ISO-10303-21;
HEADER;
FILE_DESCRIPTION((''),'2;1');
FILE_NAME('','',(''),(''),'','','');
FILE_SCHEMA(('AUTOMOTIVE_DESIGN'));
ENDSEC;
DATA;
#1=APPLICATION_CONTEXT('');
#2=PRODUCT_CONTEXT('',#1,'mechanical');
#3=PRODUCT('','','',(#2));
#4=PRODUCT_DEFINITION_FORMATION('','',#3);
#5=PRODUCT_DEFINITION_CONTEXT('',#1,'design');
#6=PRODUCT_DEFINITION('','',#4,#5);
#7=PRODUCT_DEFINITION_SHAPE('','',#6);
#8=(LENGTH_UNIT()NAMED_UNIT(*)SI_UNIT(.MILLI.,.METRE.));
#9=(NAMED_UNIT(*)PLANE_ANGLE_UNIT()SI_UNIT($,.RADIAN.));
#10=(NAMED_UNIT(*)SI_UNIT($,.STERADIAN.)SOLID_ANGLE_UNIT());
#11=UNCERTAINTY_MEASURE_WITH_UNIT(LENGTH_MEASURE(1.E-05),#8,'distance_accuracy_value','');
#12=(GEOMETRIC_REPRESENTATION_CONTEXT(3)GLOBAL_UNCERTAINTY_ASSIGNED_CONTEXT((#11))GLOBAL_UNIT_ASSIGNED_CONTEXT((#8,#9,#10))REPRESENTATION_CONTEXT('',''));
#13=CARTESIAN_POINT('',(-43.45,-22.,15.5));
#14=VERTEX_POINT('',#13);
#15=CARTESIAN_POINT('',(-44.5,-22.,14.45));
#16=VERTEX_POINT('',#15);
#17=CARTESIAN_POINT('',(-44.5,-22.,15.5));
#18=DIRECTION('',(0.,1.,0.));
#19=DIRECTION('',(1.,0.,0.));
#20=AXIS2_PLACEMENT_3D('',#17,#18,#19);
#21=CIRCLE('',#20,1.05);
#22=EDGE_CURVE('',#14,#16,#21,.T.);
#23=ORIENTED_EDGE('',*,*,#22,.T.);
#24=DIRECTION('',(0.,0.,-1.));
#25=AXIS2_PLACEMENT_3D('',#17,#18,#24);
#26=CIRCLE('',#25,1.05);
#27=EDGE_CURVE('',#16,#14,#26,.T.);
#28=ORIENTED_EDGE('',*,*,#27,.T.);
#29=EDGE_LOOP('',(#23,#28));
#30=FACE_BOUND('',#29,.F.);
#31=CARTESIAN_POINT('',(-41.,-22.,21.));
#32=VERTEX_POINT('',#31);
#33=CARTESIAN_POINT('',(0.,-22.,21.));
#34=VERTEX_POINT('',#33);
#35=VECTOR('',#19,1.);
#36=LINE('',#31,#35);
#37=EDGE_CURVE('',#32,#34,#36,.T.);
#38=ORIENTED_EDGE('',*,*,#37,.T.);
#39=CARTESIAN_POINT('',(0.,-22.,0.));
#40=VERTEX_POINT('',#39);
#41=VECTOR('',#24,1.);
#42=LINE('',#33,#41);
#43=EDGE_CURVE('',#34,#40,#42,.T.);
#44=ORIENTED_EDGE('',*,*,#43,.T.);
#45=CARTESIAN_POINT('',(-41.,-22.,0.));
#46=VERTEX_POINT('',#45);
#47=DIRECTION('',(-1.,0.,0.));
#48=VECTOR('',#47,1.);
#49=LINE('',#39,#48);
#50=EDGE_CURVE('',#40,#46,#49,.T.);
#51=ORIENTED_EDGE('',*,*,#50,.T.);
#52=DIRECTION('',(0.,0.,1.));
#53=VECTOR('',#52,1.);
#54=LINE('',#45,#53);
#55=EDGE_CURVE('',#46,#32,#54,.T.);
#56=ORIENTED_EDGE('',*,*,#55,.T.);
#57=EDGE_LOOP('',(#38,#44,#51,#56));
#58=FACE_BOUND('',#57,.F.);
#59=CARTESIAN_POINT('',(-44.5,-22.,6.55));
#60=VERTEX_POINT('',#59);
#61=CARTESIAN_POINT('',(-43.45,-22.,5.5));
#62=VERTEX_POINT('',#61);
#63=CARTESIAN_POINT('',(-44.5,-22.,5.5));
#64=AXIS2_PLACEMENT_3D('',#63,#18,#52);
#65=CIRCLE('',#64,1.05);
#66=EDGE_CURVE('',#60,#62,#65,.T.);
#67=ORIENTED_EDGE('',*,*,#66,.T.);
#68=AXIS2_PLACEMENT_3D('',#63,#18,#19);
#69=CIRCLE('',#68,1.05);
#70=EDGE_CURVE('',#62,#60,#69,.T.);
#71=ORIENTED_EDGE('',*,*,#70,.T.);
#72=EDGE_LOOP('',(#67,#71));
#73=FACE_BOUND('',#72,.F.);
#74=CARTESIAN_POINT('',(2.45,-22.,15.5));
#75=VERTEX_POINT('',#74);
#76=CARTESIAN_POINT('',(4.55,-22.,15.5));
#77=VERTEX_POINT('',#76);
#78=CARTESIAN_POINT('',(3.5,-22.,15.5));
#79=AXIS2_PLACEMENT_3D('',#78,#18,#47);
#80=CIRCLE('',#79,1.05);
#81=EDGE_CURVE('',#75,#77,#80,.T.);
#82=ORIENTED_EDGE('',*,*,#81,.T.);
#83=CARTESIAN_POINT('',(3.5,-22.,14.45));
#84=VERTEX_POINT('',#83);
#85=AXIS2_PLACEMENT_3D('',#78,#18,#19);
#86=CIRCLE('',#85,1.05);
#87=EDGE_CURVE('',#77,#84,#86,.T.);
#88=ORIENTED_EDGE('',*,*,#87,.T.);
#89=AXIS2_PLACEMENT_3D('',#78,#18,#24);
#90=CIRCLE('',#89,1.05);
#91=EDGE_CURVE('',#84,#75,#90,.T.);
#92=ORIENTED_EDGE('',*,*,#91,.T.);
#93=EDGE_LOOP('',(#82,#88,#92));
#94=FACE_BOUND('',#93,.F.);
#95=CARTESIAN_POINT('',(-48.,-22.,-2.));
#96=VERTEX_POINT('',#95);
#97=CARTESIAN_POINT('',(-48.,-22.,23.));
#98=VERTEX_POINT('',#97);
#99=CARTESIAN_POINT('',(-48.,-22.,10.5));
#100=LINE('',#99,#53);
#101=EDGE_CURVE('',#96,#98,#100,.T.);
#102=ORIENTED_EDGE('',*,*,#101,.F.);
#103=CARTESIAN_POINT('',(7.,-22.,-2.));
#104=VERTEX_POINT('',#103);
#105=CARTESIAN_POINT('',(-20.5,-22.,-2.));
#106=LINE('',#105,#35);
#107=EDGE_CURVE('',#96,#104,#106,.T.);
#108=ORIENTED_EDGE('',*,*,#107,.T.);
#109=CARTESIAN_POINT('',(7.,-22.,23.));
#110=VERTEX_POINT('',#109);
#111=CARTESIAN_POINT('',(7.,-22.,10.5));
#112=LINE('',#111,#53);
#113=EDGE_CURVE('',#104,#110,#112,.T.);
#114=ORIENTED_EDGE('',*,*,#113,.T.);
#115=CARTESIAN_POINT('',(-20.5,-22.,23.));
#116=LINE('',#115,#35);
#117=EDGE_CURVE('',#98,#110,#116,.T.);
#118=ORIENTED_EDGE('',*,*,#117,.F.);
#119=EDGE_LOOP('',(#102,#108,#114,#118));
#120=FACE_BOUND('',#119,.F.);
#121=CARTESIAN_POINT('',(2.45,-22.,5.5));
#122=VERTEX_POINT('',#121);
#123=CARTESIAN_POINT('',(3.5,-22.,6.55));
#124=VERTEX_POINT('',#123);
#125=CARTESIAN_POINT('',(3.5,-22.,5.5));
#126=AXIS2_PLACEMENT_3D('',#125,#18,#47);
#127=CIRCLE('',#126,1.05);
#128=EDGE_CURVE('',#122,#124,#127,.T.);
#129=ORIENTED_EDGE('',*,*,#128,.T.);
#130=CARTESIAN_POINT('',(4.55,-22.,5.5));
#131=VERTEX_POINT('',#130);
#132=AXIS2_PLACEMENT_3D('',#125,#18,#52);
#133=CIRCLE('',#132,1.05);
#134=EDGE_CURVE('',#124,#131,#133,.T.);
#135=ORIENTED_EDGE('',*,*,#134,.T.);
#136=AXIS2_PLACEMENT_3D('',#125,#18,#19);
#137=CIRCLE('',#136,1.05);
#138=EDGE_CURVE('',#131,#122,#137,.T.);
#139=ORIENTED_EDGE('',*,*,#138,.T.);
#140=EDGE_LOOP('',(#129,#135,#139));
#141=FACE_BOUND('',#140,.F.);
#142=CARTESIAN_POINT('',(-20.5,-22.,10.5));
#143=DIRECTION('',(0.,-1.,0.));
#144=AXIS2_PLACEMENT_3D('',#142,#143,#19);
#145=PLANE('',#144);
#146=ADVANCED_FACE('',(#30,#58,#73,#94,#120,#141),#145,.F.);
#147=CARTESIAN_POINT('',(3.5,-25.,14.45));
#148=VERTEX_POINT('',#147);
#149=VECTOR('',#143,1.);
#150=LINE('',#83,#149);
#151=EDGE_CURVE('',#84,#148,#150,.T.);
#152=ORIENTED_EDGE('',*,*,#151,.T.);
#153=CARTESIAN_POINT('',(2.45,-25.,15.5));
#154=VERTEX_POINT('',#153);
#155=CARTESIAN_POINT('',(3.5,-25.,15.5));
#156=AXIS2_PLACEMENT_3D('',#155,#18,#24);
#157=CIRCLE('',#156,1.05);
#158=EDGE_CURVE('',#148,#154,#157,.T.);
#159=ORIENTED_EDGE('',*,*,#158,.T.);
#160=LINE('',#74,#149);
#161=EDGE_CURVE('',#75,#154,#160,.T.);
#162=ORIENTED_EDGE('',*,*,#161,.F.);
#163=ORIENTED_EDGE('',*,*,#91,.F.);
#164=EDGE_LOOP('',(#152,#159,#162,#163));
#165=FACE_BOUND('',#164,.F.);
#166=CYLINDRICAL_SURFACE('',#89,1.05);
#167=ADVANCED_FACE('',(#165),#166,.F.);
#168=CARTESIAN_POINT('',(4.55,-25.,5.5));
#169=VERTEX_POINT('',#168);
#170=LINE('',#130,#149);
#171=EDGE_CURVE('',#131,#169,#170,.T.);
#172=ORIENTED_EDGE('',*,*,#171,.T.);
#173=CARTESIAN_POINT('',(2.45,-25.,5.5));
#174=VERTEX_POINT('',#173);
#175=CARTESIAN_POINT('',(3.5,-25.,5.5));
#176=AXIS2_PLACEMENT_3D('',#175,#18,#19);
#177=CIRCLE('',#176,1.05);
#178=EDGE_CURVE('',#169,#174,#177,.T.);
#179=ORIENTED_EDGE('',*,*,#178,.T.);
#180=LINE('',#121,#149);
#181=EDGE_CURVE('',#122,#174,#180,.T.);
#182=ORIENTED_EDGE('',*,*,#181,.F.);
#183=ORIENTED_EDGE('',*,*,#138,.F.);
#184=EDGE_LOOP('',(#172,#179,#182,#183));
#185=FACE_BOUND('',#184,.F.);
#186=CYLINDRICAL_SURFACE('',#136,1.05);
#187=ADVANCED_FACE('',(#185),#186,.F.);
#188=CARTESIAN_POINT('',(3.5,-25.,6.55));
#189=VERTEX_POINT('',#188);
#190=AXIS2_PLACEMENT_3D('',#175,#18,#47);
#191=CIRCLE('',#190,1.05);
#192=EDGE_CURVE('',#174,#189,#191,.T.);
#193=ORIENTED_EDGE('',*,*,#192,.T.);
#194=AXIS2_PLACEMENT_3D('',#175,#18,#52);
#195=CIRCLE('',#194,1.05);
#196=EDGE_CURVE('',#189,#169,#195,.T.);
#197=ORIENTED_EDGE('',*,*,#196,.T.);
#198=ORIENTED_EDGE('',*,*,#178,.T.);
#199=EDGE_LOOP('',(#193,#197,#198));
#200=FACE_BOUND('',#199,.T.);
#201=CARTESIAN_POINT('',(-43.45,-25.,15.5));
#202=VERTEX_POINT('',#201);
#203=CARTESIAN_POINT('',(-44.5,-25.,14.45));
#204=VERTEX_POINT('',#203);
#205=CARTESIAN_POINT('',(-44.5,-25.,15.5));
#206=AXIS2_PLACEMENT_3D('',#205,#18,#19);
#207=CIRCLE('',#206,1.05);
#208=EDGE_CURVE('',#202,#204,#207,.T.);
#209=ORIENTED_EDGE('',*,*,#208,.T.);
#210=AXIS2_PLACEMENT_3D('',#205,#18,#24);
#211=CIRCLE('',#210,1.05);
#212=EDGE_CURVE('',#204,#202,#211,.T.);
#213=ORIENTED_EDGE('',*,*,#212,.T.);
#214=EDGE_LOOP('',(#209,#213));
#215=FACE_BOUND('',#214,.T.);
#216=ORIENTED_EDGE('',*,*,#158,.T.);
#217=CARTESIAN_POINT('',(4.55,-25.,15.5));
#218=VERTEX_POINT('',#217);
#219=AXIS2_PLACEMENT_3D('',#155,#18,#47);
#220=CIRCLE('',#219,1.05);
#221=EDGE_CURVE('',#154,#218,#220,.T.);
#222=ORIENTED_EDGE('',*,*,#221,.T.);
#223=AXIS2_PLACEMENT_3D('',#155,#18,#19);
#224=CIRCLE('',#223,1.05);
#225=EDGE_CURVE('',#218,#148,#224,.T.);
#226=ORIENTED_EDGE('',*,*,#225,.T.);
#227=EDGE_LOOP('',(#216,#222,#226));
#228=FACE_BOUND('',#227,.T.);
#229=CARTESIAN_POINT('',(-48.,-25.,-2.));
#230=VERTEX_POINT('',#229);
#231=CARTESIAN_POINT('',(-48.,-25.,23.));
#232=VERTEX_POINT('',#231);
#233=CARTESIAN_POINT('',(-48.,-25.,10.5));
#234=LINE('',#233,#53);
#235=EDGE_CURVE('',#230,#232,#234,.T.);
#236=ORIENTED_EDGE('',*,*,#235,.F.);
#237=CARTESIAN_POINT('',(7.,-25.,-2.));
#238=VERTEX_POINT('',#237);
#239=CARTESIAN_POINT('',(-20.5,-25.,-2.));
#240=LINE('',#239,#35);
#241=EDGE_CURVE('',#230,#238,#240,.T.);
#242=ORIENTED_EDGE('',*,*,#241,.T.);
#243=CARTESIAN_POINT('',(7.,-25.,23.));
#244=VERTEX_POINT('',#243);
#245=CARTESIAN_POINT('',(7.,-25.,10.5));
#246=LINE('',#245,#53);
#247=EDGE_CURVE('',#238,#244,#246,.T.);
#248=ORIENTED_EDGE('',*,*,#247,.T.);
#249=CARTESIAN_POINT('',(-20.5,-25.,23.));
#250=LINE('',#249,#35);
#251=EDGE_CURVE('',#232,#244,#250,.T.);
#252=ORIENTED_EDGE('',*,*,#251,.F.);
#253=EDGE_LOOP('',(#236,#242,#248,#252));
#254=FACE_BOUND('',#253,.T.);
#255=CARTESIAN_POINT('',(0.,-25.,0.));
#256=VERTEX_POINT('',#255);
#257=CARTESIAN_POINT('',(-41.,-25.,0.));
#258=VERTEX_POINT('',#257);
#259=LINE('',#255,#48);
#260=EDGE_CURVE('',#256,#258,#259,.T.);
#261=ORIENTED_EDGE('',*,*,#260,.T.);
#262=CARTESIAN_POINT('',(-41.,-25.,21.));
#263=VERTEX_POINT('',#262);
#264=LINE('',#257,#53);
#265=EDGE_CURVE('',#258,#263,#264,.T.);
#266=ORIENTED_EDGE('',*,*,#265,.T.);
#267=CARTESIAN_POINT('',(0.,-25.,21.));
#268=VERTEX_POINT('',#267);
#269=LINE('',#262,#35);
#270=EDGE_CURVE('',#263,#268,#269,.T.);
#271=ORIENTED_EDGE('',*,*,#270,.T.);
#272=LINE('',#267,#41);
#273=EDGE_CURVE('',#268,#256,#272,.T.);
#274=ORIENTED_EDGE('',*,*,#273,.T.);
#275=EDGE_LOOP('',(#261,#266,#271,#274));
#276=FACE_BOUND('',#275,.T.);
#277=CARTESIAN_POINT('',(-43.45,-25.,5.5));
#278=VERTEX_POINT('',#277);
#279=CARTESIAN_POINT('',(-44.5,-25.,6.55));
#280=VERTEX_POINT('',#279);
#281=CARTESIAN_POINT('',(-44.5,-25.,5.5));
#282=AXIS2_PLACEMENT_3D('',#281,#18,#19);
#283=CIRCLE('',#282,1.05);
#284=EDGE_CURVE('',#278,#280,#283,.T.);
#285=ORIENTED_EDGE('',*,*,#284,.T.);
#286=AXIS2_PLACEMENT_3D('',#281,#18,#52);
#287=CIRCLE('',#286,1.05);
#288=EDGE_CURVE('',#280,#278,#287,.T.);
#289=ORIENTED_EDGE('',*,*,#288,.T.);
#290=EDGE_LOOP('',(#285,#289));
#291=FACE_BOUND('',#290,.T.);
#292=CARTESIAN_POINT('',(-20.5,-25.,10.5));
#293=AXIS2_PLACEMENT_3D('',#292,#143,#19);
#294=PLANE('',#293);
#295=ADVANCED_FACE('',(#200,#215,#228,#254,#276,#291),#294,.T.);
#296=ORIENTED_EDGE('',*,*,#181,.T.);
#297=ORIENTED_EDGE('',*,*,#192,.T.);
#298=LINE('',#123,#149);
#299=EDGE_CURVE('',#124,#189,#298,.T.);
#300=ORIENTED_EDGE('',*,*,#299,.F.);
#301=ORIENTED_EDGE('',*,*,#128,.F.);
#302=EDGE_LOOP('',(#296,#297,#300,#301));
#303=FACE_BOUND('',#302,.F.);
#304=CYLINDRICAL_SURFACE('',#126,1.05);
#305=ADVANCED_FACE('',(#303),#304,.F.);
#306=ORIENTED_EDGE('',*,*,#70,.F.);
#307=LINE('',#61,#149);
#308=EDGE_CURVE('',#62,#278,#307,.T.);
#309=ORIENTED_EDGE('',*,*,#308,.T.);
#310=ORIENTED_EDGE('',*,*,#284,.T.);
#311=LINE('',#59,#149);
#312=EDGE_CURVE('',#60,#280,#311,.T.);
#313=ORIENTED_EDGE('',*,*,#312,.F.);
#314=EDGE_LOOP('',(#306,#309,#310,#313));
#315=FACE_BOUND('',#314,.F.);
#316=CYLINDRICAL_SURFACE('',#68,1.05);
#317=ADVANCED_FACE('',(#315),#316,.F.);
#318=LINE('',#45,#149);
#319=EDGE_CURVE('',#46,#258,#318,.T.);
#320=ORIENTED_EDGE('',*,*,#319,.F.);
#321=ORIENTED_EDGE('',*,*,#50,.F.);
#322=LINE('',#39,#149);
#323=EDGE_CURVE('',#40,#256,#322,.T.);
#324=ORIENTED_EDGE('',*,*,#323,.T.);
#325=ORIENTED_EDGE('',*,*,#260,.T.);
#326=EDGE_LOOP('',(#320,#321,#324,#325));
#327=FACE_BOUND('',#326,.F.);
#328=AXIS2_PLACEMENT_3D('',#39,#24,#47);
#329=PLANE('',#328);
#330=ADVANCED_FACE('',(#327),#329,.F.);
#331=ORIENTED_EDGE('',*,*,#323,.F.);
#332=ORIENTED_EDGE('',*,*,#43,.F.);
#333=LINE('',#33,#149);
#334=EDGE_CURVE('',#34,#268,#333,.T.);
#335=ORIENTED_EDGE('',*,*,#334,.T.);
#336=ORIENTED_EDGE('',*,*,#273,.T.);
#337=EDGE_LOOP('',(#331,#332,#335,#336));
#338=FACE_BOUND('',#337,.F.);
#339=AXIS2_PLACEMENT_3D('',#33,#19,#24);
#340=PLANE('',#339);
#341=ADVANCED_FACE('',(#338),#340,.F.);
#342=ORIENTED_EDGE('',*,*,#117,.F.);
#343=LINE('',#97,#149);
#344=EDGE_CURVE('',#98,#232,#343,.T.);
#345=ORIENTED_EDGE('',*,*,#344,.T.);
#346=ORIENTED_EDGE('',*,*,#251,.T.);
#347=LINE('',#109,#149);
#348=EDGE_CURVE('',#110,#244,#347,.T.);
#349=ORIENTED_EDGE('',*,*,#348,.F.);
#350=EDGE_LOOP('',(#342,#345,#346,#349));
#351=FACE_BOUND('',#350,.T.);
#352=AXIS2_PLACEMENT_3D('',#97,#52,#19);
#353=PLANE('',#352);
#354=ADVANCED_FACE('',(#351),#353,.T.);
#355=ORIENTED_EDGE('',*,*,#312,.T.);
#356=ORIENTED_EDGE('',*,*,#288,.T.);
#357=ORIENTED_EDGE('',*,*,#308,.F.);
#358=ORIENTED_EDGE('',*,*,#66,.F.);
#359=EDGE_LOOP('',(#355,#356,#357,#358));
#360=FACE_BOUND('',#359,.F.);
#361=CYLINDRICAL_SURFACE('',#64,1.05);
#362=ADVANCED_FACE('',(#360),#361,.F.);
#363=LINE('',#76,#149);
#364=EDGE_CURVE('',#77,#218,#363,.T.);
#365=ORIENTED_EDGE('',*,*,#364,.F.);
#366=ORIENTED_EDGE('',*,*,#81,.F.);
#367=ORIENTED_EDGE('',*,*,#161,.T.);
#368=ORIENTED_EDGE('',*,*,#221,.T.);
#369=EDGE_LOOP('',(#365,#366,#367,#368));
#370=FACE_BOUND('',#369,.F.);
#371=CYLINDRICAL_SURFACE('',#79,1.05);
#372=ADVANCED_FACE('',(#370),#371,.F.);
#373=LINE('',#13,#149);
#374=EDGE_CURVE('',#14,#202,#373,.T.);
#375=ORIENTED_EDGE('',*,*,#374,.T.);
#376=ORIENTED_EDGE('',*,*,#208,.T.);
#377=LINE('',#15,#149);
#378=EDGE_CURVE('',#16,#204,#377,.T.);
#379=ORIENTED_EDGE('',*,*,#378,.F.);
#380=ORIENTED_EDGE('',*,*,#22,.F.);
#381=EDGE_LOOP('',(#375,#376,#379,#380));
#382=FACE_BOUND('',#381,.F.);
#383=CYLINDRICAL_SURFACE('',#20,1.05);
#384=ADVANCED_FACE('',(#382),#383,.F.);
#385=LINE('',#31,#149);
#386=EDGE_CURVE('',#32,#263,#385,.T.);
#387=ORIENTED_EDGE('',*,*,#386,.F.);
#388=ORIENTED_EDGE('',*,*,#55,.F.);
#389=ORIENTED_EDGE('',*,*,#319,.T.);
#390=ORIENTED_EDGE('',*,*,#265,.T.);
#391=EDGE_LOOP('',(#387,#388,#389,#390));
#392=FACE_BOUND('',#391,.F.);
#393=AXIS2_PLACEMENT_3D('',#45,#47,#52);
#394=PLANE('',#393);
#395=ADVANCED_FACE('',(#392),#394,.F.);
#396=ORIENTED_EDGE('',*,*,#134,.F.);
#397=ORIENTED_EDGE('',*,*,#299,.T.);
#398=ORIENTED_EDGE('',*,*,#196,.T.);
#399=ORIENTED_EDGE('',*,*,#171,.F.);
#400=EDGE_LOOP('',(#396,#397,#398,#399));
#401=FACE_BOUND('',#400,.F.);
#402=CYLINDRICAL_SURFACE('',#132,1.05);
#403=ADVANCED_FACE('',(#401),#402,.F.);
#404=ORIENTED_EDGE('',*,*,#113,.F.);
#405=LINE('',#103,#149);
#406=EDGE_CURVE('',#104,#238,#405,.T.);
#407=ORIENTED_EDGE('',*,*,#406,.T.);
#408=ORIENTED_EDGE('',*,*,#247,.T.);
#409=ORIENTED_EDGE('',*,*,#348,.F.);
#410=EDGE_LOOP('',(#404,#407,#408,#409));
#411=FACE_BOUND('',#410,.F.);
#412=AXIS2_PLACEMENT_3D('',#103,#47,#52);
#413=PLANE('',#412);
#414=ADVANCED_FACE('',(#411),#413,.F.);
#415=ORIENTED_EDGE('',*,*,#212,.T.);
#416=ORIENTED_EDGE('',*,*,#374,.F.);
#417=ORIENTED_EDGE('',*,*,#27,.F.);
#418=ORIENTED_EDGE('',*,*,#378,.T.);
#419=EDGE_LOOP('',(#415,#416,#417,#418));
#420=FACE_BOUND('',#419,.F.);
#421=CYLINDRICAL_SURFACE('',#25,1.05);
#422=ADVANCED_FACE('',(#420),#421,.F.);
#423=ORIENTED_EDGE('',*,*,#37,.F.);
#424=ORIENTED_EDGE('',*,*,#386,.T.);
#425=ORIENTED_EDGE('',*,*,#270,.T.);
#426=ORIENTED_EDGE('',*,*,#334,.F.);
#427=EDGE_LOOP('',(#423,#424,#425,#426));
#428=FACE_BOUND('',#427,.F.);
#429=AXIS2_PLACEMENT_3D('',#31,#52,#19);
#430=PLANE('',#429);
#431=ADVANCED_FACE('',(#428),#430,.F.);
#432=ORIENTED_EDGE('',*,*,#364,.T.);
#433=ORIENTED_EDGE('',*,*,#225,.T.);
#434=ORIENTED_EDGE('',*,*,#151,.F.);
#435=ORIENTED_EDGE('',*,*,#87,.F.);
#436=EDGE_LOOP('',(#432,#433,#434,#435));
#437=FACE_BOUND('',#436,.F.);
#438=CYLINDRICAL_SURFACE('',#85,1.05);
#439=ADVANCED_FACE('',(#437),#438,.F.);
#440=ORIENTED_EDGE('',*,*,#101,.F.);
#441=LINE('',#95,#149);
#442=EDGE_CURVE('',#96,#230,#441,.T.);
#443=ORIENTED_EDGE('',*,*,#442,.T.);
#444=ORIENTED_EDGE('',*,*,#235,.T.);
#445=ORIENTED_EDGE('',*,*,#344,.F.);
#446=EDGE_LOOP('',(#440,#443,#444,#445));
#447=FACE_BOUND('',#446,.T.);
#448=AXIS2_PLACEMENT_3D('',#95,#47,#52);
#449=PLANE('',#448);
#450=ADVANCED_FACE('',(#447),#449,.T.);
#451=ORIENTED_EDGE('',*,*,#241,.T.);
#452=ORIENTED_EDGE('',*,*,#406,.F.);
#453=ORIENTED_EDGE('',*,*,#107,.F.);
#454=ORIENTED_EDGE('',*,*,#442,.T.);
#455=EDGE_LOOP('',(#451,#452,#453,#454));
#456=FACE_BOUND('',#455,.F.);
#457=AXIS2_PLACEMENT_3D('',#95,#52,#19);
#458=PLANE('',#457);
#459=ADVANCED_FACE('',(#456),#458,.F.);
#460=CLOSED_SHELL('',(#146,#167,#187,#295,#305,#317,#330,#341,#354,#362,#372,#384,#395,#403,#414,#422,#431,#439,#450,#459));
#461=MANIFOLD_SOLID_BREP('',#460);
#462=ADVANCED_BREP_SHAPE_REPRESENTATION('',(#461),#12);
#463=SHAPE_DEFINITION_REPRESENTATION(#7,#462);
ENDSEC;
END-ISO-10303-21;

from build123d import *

# Parameters (mm, degrees)
F1_START = 22
F0_W     = 55
F0_H     = 25
F1_DEPTH = 3


with BuildPart() as f1:
    # F0 (on Front) → F1 (new body)
    with BuildSketch(Plane.XZ.offset(F1_START)):
        with Locations((-20.5, 10.5)):
            Rectangle(F0_W, F0_H)
        with BuildLine():
            Line((0, 5.5), (0, 0))
            Line((0, 0), (-41, 0))
            Line((-41, 0), (-41, 5.5))
            Line((-41, 5.5), (-43.45, 5.5))
            ThreePointArc((-43.45, 5.5), (-45.2424621202, 4.7575378798), (-44.5, 6.55))
            Line((-44.5, 6.55), (-44.5, 14.45))
            ThreePointArc((-44.5, 14.45), (-45.2424621202, 16.2424621202), (-43.45, 15.5))
            Line((-43.45, 15.5), (-41, 15.5))
            Line((-41, 15.5), (-41, 21))
            Line((-41, 21), (0, 21))
            Line((0, 21), (0, 15.5))
            Line((0, 15.5), (2.45, 15.5))
            ThreePointArc((2.45, 15.5), (3.5, 16.55), (4.55, 15.5))
            ThreePointArc((4.55, 15.5), (4.2424621202, 14.7575378798), (3.5, 14.45))
            Line((3.5, 14.45), (3.5, 6.55))
            ThreePointArc((3.5, 6.55), (4.2424621202, 6.2424621202), (4.55, 5.5))
            ThreePointArc((4.55, 5.5), (3.5, 4.45), (2.45, 5.5))
            Line((2.45, 5.5), (0, 5.5))
        make_face(mode=Mode.SUBTRACT)
        with BuildLine():
            Line((-43.45, 5.5), (-41, 5.5))
            Line((-41, 5.5), (-41, 15.5))
            Line((-41, 15.5), (-43.45, 15.5))
            ThreePointArc((-43.45, 15.5), (-43.7575378798, 14.7575378798), (-44.5, 14.45))
            Line((-44.5, 14.45), (-44.5, 6.55))
            ThreePointArc((-44.5, 6.55), (-43.7575378798, 6.2424621202), (-43.45, 5.5))
        make_face()
        with BuildLine():
            Line((0, 15.5), (0, 5.5))
            Line((0, 5.5), (2.45, 5.5))
            ThreePointArc((2.45, 5.5), (2.7575378798, 6.2424621202), (3.5, 6.55))
            Line((3.5, 6.55), (3.5, 14.45))
            ThreePointArc((3.5, 14.45), (2.7575378798, 14.7575378798), (2.45, 15.5))
            Line((2.45, 15.5), (0, 15.5))
        make_face()
    extrude(amount=F1_DEPTH)


solid = f1.part
